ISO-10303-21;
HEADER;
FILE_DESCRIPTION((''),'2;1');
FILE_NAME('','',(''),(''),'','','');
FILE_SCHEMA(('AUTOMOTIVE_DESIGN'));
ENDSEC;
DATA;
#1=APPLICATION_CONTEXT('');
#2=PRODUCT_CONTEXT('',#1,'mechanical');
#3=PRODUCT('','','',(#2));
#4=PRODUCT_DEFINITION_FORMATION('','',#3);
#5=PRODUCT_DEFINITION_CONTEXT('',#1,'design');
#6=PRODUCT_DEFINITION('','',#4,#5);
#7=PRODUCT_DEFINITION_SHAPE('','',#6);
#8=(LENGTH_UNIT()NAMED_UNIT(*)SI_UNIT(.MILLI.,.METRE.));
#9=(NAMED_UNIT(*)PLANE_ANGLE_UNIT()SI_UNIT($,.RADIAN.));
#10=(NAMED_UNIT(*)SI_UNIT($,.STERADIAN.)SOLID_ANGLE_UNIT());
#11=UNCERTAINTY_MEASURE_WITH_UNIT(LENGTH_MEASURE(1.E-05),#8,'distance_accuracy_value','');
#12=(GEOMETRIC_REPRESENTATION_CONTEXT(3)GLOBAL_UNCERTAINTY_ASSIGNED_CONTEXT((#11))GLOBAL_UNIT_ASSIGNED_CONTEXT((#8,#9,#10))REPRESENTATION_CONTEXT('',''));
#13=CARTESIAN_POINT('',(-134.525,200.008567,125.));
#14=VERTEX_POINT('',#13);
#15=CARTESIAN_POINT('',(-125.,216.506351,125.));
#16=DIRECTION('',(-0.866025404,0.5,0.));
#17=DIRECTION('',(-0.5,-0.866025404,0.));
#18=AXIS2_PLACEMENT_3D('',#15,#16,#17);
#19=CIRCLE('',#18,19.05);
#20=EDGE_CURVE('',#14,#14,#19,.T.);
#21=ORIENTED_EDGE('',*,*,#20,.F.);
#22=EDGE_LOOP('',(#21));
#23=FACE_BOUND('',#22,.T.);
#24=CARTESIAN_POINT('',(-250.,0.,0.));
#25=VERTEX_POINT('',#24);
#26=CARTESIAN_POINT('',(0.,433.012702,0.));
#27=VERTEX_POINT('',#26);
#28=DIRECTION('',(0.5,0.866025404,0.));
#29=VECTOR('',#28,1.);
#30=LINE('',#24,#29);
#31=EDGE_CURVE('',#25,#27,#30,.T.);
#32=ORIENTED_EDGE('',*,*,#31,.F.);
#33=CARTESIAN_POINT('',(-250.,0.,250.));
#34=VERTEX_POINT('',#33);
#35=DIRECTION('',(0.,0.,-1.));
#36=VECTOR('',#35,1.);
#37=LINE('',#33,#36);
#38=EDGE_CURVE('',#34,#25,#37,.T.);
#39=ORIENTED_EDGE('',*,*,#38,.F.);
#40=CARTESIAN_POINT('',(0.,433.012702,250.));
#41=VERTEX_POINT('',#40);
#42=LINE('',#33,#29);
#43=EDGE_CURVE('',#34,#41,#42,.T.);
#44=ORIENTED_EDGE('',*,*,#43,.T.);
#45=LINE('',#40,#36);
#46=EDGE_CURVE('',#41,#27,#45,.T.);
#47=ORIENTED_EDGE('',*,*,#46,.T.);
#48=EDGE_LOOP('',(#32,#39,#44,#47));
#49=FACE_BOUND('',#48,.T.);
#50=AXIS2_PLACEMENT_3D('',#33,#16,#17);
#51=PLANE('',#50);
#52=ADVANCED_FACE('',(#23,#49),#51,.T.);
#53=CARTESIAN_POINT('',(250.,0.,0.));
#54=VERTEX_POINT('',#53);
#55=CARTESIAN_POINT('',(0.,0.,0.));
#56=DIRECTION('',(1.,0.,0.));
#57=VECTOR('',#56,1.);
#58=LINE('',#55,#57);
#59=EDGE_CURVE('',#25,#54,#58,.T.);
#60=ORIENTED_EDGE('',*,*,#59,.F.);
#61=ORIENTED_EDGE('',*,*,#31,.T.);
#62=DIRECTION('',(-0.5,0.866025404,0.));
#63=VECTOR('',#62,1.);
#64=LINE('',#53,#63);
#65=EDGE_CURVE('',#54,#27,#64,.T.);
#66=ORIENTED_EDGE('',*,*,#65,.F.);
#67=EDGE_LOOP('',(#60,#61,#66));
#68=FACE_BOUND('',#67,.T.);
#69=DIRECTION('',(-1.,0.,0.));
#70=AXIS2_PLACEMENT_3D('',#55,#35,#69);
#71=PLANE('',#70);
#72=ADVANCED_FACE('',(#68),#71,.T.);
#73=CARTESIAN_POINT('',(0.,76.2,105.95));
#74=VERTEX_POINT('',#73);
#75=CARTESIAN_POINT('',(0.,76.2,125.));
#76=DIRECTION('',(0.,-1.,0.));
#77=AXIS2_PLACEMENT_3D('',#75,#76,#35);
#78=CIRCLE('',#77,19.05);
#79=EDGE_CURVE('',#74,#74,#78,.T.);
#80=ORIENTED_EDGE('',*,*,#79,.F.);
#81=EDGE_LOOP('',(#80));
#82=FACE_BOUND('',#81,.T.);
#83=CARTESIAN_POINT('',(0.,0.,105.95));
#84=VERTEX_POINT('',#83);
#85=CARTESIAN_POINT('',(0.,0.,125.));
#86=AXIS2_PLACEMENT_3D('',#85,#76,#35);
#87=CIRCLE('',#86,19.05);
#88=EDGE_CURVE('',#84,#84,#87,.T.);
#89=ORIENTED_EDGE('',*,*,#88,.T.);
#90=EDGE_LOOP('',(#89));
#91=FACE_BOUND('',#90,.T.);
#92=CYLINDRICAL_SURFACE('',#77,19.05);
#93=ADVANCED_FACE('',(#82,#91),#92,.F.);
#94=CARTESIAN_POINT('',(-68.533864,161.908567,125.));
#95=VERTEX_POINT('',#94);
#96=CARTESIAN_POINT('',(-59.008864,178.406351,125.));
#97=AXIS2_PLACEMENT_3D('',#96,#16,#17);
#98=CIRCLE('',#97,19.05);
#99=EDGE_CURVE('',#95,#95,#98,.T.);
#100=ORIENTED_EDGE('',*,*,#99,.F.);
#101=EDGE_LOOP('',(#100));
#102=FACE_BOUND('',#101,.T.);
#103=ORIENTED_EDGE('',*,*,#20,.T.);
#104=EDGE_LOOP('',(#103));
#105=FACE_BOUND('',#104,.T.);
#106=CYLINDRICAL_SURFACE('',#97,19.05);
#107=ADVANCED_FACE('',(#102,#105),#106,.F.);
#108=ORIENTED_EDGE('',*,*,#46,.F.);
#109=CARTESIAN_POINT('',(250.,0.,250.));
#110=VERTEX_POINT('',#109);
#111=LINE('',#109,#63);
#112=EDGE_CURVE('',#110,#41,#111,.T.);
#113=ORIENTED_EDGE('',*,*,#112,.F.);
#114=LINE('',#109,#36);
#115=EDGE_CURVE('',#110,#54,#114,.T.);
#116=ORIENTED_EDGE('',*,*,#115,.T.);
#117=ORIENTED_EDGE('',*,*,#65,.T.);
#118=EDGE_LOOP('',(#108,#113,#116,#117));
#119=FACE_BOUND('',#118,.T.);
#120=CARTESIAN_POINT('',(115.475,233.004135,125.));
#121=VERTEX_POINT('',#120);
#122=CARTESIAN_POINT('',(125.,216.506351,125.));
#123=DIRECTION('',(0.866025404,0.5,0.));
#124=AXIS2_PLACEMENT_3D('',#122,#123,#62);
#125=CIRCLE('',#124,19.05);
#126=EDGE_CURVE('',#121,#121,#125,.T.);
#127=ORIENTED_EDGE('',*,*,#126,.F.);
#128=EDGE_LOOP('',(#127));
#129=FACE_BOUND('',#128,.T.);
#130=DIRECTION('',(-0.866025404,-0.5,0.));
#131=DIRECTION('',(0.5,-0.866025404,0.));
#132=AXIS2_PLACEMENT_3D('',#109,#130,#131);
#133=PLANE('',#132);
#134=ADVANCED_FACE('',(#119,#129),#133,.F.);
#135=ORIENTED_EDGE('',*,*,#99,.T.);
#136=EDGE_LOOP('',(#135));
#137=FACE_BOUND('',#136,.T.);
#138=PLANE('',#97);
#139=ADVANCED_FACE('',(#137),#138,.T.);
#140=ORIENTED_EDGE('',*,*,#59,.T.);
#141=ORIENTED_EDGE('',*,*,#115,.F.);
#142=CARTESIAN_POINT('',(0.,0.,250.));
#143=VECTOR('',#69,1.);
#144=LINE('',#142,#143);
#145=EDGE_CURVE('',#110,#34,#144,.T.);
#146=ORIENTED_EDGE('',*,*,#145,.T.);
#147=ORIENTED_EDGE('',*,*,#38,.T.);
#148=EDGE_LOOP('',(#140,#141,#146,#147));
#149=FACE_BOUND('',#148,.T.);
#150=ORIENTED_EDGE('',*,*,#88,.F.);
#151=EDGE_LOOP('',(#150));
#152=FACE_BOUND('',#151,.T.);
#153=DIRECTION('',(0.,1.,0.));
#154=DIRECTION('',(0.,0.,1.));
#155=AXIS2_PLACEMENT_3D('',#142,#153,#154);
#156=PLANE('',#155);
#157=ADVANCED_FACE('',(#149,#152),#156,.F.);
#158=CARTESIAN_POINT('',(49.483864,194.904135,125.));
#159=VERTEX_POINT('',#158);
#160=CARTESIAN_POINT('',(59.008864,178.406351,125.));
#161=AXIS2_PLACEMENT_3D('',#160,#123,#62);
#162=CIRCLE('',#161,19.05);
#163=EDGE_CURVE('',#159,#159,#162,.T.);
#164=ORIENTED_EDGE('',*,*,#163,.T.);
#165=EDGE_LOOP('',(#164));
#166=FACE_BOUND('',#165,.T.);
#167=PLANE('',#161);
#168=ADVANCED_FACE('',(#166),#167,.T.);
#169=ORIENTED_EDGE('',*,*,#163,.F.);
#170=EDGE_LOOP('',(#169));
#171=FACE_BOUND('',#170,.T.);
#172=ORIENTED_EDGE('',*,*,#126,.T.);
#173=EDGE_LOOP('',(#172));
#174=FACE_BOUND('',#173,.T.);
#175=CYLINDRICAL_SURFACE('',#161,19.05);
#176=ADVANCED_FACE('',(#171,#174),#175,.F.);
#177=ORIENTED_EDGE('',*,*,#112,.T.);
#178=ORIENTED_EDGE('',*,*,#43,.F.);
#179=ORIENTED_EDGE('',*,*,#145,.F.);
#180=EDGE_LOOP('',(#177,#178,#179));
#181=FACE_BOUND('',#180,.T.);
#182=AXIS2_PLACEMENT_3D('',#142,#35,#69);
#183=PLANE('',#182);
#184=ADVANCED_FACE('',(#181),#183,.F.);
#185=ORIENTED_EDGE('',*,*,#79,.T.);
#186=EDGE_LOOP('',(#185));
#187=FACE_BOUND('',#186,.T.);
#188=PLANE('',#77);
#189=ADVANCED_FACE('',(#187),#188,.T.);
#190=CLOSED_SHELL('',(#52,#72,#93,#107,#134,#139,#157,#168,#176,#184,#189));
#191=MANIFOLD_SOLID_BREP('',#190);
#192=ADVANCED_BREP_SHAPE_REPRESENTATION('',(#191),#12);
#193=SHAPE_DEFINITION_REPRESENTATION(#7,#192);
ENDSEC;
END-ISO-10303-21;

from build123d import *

# Parameters (mm, degrees)
BOSS_EXTRUDE1_DEPTH = 250
SKETCH2_R           = 19.05
CUT_EXTRUDE1_DEPTH  = 76.2
SKETCH3_R           = 19.05
CUT_EXTRUDE2_DEPTH  = 76.2
SKETCH4_R           = 19.05
CUT_EXTRUDE3_DEPTH  = 76.2


with BuildPart() as part:
    # Sketch1 → Boss-Extrude1 (new body)
    with BuildSketch(Plane.XY):
        Polygon((0, 0), (250, 0), (0, 433.012701892), (-250, 0), align=None)
    extrude(amount=BOSS_EXTRUDE1_DEPTH)

    # Sketch2 → Cut-Extrude1 (cut)
    with BuildSketch(Plane(origin=(187.5, 108.253175473, 0), x_dir=(0, 0, -1), z_dir=(0.866025404, 0.5, 0))):
        with Locations((-125, 125)):
            Circle(SKETCH2_R)
    extrude(amount=-CUT_EXTRUDE1_DEPTH, mode=Mode.SUBTRACT)

    # Sketch3 → Cut-Extrude2 (cut)
    with BuildSketch(Plane.XZ):
        with Locations((0, 125)):
            Circle(SKETCH3_R)
    extrude(amount=-CUT_EXTRUDE2_DEPTH, mode=Mode.SUBTRACT)

    # Sketch4 → Cut-Extrude3 (cut)
    with BuildSketch(Plane(origin=(-187.5, 108.253175473, 0), x_dir=(0, 0, 1), z_dir=(-0.866025404, 0.5, 0))):
        with Locations((125, 125)):
            Circle(SKETCH4_R)
    extrude(amount=-CUT_EXTRUDE3_DEPTH, mode=Mode.SUBTRACT)


solid = part.part
